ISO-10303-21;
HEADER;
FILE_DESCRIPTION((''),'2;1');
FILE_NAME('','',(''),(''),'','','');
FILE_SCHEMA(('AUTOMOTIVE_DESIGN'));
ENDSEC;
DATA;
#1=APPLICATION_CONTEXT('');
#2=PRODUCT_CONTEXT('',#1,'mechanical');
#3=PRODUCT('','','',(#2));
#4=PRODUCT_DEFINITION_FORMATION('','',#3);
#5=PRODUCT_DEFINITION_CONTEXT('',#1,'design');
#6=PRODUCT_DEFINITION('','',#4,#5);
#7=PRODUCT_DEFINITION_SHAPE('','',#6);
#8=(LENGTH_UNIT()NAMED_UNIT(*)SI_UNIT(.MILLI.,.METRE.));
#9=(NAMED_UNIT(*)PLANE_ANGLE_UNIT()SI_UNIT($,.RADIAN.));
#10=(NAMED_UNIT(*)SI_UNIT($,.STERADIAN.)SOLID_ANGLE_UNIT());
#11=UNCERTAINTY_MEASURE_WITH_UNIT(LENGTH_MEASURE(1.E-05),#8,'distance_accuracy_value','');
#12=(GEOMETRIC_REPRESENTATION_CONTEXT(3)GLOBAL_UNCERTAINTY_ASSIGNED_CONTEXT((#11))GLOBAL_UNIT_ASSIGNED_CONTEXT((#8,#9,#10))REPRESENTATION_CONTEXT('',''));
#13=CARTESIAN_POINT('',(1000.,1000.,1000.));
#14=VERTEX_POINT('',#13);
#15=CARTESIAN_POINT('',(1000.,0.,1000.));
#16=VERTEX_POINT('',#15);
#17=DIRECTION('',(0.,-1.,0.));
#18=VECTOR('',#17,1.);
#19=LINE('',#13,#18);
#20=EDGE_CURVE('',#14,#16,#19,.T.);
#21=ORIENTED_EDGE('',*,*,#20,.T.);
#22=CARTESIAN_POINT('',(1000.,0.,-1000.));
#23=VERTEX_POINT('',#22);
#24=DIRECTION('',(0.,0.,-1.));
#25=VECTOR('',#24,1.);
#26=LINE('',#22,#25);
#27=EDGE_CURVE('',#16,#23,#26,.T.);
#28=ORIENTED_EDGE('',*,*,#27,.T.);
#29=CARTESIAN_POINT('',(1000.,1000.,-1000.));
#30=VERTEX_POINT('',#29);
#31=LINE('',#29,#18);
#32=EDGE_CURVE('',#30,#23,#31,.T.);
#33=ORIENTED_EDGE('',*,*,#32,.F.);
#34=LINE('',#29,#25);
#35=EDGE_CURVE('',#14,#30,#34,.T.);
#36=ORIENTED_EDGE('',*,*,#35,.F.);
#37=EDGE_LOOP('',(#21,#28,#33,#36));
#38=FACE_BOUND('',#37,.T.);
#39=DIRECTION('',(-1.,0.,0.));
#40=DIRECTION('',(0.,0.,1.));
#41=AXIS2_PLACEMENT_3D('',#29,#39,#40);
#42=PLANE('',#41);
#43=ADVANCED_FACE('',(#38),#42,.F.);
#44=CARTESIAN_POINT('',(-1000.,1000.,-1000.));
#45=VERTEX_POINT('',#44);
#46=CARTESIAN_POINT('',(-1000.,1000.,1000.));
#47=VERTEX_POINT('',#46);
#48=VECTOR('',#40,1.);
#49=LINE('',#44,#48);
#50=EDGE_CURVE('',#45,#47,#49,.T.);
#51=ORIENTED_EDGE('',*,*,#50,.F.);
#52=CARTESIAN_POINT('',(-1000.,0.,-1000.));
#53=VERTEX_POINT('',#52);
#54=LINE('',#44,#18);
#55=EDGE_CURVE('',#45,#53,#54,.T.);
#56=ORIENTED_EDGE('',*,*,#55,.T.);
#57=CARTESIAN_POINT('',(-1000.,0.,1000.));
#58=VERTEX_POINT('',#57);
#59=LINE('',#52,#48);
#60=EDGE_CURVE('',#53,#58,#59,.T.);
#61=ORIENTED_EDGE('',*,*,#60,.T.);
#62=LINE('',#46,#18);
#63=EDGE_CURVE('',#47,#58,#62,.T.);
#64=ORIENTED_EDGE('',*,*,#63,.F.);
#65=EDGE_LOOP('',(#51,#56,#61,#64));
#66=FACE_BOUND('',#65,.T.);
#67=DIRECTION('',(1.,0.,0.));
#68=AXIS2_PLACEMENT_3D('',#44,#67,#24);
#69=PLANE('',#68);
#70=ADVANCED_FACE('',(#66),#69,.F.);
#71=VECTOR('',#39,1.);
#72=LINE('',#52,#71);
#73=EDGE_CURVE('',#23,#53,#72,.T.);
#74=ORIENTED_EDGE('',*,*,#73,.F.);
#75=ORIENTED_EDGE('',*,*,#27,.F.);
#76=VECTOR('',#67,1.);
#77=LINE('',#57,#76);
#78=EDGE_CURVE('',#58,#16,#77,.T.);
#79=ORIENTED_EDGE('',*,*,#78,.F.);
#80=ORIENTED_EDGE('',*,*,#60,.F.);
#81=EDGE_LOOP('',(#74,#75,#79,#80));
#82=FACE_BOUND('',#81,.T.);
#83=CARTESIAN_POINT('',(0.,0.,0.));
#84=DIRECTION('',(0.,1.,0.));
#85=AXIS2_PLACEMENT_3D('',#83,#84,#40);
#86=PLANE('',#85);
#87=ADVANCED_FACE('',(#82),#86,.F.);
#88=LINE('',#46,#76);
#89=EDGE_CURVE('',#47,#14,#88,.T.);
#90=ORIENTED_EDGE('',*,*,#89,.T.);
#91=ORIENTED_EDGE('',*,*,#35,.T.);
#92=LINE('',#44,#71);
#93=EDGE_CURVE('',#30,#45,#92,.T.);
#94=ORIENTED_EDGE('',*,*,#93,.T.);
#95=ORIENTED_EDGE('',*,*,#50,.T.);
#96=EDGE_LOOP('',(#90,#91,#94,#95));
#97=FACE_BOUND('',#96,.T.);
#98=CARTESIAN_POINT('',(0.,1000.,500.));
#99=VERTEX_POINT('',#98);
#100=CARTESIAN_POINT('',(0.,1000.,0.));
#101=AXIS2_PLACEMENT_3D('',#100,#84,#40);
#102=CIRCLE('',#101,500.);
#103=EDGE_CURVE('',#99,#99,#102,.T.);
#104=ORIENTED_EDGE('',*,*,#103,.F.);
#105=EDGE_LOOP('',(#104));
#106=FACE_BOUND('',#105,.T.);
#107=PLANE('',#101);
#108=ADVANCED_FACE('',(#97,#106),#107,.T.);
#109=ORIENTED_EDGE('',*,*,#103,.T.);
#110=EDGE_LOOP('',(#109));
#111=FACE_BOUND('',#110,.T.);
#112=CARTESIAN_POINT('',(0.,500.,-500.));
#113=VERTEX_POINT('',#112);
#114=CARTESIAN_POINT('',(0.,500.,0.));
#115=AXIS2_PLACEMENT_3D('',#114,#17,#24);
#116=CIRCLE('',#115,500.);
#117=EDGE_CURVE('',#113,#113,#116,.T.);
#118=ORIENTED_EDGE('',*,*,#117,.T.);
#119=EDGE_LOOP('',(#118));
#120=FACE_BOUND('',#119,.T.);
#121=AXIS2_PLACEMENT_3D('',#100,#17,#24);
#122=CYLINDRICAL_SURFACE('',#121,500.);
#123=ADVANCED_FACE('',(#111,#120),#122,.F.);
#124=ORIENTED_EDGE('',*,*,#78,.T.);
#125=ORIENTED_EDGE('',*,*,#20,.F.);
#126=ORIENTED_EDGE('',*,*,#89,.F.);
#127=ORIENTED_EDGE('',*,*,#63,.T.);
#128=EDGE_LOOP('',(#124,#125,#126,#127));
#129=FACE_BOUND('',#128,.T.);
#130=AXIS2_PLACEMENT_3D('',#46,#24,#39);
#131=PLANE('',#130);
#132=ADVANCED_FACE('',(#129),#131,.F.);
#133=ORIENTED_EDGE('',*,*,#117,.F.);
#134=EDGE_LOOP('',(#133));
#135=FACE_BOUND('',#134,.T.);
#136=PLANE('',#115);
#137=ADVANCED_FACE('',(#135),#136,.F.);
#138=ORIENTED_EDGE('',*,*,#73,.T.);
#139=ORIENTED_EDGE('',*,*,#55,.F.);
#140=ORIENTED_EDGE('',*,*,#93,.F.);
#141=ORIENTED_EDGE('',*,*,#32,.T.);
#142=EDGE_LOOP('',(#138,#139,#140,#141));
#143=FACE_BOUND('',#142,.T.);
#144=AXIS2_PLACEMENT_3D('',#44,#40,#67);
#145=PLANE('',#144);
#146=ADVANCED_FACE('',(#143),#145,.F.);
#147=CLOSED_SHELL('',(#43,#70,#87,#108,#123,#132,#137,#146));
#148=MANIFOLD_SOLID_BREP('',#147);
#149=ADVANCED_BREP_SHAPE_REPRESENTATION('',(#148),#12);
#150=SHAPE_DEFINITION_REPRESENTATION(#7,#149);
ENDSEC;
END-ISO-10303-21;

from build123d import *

# Parameters (mm, degrees)
SKETCH1_W           = 2000
SKETCH1_H           = 2000
SKETCH1_R           = 500
BOSS_EXTRUDE1_DEPTH = 1000
SKETCH2_R           = 500
BOSS_EXTRUDE2_DEPTH = 500


with BuildPart() as part:
    # Sketch1 → Boss-Extrude1 (new body)
    with BuildSketch(Plane(origin=(0, 0, 0), x_dir=(1, 0, 0), z_dir=(0, 1, 0))):
        Rectangle(SKETCH1_W, SKETCH1_H)
        with Locations(Location((0, 0, 0), (0, 0, 270))):
            Circle(SKETCH1_R, mode=Mode.SUBTRACT)
    extrude(amount=BOSS_EXTRUDE1_DEPTH)

    # Sketch2 → Boss-Extrude2 (add)
    with BuildSketch(Plane.XZ):
        with Locations(Location((0, 0, 0), (0, 0, 270))):
            Circle(SKETCH2_R)
    extrude(amount=-BOSS_EXTRUDE2_DEPTH)


solid = part.part
